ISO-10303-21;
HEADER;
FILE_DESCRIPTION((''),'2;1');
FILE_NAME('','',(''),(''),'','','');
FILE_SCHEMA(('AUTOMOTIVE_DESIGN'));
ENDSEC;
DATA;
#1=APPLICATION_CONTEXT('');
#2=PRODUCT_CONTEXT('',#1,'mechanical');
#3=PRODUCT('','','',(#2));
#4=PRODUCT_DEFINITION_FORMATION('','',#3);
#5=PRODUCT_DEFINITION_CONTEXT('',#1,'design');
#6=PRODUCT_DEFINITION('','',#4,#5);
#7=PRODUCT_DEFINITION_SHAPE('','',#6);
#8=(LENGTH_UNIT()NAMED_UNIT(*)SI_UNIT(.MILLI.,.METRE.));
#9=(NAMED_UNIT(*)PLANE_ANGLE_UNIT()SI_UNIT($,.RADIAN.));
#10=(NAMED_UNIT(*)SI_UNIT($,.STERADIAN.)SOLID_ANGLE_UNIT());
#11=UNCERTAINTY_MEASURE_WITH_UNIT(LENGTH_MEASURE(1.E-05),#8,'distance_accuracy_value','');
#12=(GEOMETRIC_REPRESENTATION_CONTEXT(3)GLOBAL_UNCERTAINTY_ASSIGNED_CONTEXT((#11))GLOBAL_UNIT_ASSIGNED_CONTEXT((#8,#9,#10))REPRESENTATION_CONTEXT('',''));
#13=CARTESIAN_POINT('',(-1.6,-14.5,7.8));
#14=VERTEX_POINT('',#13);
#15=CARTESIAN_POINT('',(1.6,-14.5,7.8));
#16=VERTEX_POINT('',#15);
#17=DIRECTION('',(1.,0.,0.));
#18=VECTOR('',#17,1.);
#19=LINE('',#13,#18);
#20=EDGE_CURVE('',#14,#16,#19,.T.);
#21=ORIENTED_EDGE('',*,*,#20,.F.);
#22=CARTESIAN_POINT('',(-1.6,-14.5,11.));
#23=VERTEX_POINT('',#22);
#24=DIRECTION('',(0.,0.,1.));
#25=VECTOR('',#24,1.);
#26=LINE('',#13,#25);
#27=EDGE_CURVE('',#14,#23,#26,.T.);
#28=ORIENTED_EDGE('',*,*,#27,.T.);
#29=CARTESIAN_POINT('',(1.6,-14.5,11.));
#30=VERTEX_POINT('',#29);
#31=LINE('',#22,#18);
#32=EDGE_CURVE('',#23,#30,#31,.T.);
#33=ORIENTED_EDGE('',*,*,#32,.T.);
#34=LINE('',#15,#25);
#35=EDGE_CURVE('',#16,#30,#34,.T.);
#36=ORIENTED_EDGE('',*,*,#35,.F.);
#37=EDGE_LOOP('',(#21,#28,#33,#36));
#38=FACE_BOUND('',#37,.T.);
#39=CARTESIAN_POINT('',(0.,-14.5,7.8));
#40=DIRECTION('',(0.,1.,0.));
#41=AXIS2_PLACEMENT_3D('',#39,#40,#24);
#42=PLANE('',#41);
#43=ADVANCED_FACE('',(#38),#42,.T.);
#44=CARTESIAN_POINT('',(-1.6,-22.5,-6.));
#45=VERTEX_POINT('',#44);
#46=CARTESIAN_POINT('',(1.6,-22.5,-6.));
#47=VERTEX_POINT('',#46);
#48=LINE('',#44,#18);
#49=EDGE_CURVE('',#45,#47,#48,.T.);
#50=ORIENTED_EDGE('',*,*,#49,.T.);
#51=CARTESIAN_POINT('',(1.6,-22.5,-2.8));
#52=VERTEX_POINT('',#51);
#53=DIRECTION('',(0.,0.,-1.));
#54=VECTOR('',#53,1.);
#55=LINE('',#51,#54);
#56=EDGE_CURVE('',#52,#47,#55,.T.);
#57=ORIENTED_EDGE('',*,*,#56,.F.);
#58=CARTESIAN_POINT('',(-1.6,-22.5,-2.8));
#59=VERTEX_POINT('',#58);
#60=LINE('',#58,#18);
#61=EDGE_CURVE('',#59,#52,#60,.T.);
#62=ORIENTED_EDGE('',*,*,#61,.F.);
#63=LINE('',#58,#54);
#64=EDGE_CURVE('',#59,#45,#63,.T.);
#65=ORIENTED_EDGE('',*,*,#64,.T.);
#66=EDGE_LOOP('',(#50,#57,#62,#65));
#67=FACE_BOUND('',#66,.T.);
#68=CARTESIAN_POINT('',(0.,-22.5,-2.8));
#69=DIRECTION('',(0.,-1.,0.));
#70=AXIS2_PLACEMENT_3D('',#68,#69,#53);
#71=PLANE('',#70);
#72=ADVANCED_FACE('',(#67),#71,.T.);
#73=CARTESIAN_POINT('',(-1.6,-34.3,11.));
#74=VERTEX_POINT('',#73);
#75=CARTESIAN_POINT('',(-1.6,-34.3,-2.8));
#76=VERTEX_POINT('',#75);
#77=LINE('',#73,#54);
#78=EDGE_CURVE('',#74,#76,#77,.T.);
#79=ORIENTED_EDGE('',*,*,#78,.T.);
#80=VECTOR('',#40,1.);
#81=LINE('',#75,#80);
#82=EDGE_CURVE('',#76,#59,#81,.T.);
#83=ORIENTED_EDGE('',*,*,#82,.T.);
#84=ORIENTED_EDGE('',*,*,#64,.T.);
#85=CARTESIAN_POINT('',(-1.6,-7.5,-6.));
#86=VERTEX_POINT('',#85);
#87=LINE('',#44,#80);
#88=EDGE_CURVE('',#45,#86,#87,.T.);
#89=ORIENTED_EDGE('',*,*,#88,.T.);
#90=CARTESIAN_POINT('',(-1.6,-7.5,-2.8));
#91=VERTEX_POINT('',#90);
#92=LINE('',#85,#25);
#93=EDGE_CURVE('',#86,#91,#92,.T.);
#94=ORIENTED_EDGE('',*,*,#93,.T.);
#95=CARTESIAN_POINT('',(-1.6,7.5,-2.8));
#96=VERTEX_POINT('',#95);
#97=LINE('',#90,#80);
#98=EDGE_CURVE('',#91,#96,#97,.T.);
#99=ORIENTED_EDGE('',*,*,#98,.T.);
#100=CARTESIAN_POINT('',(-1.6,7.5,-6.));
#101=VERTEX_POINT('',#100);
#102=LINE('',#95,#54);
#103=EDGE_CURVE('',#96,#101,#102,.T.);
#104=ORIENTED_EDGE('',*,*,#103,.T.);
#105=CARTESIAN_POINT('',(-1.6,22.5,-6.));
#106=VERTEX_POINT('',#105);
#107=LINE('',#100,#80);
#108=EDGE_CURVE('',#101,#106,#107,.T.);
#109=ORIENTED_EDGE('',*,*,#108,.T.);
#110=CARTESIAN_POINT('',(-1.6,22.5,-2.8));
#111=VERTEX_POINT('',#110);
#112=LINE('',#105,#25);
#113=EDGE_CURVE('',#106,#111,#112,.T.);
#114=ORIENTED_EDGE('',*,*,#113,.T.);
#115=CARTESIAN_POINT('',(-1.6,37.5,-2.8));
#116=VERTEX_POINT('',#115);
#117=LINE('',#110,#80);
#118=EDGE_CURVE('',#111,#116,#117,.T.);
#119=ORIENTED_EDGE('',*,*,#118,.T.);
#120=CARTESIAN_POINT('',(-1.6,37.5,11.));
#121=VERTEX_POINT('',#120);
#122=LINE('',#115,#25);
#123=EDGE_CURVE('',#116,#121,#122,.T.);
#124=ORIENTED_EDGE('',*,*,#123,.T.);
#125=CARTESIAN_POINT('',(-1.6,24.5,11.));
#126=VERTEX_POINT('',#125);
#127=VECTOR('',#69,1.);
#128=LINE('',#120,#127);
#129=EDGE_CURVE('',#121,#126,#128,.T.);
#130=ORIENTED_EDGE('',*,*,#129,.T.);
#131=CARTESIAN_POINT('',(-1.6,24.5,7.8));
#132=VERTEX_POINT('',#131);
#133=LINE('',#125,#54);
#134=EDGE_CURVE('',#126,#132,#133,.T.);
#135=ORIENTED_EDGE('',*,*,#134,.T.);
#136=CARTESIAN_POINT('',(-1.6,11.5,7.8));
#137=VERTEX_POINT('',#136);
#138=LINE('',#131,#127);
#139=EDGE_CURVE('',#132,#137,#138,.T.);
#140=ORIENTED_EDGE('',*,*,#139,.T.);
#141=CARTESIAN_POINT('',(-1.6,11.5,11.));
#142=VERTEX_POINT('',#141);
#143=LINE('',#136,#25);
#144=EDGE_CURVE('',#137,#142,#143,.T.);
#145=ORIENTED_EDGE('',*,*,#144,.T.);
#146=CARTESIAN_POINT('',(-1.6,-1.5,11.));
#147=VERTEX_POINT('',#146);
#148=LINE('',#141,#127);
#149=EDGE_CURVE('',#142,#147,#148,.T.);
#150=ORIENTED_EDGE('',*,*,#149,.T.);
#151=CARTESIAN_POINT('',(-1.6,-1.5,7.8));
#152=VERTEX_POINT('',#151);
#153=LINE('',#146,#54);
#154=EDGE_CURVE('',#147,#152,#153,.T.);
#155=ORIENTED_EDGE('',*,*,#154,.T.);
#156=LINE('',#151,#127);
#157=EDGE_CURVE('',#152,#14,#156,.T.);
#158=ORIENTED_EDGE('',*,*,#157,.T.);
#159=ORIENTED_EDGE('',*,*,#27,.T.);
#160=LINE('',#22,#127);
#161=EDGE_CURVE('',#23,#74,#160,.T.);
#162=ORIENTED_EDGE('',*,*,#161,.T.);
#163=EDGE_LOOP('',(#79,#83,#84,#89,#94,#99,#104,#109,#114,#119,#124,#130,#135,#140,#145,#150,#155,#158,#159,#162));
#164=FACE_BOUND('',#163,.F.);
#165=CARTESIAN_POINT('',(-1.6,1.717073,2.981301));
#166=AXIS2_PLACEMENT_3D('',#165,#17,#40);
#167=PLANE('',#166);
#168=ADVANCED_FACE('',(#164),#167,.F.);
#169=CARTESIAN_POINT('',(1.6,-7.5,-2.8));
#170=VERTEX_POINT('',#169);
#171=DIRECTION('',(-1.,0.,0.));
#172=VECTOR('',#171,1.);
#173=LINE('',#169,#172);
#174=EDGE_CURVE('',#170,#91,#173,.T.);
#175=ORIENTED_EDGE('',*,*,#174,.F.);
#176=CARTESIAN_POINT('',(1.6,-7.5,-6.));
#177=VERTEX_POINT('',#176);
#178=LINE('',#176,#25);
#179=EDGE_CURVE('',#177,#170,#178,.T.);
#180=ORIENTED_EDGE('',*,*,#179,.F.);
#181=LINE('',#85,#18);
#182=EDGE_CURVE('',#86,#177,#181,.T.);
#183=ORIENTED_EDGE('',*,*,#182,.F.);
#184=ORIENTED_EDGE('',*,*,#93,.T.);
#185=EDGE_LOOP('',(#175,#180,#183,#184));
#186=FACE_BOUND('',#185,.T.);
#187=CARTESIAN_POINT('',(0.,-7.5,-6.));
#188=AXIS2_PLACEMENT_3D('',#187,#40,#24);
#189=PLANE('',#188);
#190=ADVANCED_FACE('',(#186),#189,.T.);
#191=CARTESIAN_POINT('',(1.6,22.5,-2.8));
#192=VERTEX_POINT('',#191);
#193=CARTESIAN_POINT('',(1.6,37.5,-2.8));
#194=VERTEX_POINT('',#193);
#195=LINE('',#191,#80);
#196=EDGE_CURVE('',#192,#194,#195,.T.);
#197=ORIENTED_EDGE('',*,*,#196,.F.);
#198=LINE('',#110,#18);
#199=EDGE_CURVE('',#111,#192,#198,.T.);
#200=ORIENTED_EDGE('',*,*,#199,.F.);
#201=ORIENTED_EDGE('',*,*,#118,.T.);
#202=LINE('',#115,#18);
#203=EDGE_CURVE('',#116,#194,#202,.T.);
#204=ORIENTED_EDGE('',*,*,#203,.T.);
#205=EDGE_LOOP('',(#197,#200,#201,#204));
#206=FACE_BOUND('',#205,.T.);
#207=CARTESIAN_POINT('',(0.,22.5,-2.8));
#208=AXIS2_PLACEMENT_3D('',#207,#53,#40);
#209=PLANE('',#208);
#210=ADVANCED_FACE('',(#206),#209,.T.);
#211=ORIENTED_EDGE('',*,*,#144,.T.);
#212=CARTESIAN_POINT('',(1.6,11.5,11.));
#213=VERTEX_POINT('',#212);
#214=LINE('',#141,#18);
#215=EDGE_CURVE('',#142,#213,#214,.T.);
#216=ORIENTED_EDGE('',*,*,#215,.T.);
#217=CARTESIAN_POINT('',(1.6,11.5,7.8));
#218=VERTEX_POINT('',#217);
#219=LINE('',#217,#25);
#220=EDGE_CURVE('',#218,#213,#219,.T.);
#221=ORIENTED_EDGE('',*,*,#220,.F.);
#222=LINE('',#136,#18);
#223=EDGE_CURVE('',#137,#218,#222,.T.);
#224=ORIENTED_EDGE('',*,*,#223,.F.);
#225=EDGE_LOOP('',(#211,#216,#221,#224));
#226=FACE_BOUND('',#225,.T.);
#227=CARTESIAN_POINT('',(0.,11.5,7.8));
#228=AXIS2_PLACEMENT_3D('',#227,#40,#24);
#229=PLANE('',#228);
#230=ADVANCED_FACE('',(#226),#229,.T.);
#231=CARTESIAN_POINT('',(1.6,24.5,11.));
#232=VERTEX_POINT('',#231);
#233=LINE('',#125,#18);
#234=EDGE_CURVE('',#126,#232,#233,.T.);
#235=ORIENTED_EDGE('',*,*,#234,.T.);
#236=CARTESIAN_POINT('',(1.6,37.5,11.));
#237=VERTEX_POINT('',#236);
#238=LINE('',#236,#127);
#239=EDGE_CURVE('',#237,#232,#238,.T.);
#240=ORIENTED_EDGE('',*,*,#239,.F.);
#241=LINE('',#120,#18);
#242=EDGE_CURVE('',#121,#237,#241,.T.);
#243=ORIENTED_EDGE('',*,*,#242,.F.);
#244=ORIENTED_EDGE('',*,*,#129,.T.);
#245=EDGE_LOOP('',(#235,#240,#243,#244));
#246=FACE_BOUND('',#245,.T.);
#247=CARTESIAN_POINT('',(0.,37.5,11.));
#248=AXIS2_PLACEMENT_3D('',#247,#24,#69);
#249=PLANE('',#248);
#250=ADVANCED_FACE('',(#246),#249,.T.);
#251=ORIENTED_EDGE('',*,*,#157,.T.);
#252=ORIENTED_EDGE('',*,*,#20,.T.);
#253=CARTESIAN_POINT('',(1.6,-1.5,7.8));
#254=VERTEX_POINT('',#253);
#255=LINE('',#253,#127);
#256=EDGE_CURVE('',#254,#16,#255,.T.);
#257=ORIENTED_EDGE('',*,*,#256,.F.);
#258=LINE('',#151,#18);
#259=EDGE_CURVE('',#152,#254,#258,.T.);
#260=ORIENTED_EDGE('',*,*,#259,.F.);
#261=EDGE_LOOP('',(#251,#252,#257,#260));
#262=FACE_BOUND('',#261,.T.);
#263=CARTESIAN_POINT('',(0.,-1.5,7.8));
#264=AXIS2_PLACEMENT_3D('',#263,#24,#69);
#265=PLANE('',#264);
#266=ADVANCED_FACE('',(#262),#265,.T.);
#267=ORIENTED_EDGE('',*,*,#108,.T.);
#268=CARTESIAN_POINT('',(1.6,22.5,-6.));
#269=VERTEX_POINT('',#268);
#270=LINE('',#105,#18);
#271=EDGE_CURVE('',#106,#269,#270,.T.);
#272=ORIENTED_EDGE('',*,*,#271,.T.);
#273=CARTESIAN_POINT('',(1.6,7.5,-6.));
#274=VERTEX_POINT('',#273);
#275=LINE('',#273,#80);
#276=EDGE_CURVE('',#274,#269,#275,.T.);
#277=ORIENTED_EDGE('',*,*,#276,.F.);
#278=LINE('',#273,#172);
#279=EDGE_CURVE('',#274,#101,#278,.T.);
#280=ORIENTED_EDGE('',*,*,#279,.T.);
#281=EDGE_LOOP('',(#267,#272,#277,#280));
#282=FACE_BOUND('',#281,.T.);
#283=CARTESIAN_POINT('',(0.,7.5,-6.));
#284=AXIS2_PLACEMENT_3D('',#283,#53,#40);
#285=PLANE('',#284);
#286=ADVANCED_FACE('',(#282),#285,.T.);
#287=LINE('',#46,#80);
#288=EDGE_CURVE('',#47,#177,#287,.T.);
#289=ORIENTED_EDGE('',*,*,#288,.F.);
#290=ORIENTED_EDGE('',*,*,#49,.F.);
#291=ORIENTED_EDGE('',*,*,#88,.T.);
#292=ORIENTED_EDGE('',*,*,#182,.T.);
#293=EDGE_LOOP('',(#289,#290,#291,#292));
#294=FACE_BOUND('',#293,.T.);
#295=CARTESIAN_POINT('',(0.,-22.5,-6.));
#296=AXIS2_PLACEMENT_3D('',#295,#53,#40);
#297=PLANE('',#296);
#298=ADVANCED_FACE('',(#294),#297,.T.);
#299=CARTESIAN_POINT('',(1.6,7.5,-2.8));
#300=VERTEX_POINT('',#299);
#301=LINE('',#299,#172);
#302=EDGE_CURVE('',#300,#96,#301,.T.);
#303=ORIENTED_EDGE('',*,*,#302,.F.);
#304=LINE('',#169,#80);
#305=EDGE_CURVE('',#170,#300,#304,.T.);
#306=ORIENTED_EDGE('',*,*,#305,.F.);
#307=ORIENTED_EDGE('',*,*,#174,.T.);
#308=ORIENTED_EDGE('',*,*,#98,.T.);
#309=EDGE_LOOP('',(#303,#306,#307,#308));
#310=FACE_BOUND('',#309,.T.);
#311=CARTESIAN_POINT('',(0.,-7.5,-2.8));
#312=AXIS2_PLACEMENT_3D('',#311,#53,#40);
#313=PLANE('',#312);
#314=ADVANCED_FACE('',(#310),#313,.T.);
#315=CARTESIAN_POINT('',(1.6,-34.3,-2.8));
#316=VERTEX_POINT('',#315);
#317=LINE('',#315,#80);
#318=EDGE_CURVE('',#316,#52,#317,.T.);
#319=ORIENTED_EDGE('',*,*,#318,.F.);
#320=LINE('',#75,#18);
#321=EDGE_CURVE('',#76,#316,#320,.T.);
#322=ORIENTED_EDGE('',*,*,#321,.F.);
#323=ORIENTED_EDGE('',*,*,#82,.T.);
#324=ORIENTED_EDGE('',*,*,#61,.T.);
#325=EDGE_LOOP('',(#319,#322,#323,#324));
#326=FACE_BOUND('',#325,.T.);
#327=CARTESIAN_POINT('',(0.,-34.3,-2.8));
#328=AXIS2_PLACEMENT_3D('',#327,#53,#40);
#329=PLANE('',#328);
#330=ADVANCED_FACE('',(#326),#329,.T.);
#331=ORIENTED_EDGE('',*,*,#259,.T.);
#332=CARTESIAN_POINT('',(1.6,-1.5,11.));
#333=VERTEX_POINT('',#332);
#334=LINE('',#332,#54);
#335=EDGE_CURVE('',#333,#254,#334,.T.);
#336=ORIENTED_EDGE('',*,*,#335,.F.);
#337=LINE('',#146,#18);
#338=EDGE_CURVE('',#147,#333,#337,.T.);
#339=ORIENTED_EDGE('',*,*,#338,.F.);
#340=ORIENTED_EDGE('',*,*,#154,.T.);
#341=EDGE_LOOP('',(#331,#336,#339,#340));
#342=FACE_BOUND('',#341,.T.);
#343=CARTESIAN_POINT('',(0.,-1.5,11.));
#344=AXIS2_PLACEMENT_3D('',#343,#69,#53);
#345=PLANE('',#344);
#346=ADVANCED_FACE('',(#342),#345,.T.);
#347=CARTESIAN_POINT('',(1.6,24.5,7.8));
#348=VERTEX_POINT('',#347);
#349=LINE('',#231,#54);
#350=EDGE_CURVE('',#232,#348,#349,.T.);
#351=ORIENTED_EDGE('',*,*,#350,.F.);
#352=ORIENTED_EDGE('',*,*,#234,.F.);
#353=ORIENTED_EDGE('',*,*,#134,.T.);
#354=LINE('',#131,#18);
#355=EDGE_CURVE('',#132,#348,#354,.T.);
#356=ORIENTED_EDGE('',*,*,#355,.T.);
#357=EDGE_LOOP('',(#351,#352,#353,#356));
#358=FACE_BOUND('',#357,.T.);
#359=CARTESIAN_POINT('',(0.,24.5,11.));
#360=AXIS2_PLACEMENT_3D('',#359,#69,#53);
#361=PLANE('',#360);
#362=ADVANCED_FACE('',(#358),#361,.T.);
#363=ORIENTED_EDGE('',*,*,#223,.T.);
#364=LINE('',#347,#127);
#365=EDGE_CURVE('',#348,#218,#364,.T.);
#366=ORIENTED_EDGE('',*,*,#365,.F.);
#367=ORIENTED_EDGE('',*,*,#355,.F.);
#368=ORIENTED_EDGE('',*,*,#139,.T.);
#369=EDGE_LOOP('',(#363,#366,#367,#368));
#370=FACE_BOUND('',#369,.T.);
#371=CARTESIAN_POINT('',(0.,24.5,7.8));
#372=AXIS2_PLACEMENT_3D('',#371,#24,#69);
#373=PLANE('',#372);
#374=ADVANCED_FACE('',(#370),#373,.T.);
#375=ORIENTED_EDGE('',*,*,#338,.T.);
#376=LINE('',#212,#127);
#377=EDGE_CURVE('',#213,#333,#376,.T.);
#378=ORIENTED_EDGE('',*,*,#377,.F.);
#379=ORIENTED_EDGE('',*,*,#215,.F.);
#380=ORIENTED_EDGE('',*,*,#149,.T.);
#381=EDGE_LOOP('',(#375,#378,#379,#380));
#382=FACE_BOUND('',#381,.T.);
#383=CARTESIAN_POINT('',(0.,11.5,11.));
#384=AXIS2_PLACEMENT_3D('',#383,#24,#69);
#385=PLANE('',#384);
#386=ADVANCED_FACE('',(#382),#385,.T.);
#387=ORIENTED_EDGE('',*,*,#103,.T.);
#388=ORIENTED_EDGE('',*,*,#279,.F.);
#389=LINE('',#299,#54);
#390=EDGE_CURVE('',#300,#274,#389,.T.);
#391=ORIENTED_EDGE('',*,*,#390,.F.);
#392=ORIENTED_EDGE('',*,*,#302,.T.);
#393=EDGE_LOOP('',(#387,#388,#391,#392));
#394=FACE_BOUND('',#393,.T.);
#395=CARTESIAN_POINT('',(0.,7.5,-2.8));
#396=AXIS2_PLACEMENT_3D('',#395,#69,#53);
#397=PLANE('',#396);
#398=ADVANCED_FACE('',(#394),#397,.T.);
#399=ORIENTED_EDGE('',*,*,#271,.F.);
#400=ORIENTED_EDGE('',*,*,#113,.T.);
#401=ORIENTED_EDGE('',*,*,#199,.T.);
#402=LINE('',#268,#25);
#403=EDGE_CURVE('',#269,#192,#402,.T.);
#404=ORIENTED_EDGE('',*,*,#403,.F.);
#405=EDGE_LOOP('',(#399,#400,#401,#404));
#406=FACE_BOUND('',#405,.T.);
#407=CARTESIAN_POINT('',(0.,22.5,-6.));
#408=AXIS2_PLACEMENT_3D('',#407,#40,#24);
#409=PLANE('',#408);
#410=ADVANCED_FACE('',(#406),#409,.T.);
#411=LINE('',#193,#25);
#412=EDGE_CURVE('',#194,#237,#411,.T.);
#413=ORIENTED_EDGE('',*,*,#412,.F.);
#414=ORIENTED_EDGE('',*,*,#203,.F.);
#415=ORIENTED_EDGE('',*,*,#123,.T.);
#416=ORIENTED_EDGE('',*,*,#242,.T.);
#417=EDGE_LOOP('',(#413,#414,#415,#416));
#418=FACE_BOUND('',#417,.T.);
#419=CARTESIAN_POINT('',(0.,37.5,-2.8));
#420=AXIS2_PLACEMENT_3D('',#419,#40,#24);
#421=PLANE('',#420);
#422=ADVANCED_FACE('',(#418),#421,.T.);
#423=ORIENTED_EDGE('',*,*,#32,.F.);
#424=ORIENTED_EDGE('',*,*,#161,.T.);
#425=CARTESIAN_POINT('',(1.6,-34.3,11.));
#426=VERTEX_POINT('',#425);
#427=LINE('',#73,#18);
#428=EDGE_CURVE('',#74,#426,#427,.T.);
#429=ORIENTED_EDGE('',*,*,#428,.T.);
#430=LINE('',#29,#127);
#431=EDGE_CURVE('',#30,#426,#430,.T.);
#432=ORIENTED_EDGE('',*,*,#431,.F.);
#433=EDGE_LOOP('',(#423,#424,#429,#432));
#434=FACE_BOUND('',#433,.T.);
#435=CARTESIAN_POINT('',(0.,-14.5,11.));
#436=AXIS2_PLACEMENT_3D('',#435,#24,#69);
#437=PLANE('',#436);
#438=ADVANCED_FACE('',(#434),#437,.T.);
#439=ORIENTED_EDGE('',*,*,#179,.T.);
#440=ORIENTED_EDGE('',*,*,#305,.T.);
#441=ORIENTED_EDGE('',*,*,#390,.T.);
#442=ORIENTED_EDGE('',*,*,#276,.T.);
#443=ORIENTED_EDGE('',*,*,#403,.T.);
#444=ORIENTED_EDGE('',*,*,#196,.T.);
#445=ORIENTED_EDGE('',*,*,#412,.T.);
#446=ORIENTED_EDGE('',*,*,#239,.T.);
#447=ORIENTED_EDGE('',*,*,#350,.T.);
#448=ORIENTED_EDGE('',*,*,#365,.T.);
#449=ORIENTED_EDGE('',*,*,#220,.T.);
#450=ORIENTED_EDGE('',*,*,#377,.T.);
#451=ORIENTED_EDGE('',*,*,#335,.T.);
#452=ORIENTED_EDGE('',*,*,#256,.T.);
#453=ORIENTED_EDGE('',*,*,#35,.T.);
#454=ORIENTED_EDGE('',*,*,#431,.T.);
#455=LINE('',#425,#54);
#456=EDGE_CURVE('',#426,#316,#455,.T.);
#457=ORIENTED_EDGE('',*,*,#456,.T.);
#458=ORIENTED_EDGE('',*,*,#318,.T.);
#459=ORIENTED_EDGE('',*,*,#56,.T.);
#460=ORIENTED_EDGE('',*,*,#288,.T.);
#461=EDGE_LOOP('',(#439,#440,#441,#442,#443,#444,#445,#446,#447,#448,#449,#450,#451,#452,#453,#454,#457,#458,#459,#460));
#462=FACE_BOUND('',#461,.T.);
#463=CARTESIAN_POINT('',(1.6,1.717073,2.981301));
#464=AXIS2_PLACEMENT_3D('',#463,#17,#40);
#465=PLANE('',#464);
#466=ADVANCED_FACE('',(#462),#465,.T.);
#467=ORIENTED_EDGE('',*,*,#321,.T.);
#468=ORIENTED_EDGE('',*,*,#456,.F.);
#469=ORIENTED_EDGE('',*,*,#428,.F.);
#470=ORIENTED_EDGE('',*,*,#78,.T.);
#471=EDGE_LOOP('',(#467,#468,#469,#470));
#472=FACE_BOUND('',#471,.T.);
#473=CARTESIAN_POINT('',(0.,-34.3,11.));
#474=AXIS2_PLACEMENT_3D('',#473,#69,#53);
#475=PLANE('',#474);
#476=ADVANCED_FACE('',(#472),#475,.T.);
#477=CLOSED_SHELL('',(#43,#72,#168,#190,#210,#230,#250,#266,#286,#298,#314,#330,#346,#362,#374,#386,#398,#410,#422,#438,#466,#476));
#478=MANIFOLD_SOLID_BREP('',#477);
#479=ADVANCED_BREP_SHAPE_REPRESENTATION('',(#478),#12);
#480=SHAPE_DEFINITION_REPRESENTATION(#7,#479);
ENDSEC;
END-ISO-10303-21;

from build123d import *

# Parameters (mm, degrees)
F1_DEPTH = 1.6


with BuildPart() as f1:
    # F0 (on Right) → F1 (new body, symmetric)
    with BuildSketch(Plane.YZ):
        Polygon((7.5, -6), (22.5, -6), (22.5, -2.8), (37.5, -2.8), (37.5, 11), (24.5, 11), (24.5, 7.8), (11.5, 7.8), (11.5, 11), (-1.5, 11), (-1.5, 7.8), (-14.5, 7.8), (-14.5, 11), (-34.3, 11), (-34.3, 4.1), (-34.3, -0.9), (-34.3, -2.8), (-22.5, -2.8), (-22.5, -6), (-7.5, -6), (-7.5, -2.8), (7.5, -2.8), align=None)
    extrude(amount=F1_DEPTH, both=True)


solid = f1.part
